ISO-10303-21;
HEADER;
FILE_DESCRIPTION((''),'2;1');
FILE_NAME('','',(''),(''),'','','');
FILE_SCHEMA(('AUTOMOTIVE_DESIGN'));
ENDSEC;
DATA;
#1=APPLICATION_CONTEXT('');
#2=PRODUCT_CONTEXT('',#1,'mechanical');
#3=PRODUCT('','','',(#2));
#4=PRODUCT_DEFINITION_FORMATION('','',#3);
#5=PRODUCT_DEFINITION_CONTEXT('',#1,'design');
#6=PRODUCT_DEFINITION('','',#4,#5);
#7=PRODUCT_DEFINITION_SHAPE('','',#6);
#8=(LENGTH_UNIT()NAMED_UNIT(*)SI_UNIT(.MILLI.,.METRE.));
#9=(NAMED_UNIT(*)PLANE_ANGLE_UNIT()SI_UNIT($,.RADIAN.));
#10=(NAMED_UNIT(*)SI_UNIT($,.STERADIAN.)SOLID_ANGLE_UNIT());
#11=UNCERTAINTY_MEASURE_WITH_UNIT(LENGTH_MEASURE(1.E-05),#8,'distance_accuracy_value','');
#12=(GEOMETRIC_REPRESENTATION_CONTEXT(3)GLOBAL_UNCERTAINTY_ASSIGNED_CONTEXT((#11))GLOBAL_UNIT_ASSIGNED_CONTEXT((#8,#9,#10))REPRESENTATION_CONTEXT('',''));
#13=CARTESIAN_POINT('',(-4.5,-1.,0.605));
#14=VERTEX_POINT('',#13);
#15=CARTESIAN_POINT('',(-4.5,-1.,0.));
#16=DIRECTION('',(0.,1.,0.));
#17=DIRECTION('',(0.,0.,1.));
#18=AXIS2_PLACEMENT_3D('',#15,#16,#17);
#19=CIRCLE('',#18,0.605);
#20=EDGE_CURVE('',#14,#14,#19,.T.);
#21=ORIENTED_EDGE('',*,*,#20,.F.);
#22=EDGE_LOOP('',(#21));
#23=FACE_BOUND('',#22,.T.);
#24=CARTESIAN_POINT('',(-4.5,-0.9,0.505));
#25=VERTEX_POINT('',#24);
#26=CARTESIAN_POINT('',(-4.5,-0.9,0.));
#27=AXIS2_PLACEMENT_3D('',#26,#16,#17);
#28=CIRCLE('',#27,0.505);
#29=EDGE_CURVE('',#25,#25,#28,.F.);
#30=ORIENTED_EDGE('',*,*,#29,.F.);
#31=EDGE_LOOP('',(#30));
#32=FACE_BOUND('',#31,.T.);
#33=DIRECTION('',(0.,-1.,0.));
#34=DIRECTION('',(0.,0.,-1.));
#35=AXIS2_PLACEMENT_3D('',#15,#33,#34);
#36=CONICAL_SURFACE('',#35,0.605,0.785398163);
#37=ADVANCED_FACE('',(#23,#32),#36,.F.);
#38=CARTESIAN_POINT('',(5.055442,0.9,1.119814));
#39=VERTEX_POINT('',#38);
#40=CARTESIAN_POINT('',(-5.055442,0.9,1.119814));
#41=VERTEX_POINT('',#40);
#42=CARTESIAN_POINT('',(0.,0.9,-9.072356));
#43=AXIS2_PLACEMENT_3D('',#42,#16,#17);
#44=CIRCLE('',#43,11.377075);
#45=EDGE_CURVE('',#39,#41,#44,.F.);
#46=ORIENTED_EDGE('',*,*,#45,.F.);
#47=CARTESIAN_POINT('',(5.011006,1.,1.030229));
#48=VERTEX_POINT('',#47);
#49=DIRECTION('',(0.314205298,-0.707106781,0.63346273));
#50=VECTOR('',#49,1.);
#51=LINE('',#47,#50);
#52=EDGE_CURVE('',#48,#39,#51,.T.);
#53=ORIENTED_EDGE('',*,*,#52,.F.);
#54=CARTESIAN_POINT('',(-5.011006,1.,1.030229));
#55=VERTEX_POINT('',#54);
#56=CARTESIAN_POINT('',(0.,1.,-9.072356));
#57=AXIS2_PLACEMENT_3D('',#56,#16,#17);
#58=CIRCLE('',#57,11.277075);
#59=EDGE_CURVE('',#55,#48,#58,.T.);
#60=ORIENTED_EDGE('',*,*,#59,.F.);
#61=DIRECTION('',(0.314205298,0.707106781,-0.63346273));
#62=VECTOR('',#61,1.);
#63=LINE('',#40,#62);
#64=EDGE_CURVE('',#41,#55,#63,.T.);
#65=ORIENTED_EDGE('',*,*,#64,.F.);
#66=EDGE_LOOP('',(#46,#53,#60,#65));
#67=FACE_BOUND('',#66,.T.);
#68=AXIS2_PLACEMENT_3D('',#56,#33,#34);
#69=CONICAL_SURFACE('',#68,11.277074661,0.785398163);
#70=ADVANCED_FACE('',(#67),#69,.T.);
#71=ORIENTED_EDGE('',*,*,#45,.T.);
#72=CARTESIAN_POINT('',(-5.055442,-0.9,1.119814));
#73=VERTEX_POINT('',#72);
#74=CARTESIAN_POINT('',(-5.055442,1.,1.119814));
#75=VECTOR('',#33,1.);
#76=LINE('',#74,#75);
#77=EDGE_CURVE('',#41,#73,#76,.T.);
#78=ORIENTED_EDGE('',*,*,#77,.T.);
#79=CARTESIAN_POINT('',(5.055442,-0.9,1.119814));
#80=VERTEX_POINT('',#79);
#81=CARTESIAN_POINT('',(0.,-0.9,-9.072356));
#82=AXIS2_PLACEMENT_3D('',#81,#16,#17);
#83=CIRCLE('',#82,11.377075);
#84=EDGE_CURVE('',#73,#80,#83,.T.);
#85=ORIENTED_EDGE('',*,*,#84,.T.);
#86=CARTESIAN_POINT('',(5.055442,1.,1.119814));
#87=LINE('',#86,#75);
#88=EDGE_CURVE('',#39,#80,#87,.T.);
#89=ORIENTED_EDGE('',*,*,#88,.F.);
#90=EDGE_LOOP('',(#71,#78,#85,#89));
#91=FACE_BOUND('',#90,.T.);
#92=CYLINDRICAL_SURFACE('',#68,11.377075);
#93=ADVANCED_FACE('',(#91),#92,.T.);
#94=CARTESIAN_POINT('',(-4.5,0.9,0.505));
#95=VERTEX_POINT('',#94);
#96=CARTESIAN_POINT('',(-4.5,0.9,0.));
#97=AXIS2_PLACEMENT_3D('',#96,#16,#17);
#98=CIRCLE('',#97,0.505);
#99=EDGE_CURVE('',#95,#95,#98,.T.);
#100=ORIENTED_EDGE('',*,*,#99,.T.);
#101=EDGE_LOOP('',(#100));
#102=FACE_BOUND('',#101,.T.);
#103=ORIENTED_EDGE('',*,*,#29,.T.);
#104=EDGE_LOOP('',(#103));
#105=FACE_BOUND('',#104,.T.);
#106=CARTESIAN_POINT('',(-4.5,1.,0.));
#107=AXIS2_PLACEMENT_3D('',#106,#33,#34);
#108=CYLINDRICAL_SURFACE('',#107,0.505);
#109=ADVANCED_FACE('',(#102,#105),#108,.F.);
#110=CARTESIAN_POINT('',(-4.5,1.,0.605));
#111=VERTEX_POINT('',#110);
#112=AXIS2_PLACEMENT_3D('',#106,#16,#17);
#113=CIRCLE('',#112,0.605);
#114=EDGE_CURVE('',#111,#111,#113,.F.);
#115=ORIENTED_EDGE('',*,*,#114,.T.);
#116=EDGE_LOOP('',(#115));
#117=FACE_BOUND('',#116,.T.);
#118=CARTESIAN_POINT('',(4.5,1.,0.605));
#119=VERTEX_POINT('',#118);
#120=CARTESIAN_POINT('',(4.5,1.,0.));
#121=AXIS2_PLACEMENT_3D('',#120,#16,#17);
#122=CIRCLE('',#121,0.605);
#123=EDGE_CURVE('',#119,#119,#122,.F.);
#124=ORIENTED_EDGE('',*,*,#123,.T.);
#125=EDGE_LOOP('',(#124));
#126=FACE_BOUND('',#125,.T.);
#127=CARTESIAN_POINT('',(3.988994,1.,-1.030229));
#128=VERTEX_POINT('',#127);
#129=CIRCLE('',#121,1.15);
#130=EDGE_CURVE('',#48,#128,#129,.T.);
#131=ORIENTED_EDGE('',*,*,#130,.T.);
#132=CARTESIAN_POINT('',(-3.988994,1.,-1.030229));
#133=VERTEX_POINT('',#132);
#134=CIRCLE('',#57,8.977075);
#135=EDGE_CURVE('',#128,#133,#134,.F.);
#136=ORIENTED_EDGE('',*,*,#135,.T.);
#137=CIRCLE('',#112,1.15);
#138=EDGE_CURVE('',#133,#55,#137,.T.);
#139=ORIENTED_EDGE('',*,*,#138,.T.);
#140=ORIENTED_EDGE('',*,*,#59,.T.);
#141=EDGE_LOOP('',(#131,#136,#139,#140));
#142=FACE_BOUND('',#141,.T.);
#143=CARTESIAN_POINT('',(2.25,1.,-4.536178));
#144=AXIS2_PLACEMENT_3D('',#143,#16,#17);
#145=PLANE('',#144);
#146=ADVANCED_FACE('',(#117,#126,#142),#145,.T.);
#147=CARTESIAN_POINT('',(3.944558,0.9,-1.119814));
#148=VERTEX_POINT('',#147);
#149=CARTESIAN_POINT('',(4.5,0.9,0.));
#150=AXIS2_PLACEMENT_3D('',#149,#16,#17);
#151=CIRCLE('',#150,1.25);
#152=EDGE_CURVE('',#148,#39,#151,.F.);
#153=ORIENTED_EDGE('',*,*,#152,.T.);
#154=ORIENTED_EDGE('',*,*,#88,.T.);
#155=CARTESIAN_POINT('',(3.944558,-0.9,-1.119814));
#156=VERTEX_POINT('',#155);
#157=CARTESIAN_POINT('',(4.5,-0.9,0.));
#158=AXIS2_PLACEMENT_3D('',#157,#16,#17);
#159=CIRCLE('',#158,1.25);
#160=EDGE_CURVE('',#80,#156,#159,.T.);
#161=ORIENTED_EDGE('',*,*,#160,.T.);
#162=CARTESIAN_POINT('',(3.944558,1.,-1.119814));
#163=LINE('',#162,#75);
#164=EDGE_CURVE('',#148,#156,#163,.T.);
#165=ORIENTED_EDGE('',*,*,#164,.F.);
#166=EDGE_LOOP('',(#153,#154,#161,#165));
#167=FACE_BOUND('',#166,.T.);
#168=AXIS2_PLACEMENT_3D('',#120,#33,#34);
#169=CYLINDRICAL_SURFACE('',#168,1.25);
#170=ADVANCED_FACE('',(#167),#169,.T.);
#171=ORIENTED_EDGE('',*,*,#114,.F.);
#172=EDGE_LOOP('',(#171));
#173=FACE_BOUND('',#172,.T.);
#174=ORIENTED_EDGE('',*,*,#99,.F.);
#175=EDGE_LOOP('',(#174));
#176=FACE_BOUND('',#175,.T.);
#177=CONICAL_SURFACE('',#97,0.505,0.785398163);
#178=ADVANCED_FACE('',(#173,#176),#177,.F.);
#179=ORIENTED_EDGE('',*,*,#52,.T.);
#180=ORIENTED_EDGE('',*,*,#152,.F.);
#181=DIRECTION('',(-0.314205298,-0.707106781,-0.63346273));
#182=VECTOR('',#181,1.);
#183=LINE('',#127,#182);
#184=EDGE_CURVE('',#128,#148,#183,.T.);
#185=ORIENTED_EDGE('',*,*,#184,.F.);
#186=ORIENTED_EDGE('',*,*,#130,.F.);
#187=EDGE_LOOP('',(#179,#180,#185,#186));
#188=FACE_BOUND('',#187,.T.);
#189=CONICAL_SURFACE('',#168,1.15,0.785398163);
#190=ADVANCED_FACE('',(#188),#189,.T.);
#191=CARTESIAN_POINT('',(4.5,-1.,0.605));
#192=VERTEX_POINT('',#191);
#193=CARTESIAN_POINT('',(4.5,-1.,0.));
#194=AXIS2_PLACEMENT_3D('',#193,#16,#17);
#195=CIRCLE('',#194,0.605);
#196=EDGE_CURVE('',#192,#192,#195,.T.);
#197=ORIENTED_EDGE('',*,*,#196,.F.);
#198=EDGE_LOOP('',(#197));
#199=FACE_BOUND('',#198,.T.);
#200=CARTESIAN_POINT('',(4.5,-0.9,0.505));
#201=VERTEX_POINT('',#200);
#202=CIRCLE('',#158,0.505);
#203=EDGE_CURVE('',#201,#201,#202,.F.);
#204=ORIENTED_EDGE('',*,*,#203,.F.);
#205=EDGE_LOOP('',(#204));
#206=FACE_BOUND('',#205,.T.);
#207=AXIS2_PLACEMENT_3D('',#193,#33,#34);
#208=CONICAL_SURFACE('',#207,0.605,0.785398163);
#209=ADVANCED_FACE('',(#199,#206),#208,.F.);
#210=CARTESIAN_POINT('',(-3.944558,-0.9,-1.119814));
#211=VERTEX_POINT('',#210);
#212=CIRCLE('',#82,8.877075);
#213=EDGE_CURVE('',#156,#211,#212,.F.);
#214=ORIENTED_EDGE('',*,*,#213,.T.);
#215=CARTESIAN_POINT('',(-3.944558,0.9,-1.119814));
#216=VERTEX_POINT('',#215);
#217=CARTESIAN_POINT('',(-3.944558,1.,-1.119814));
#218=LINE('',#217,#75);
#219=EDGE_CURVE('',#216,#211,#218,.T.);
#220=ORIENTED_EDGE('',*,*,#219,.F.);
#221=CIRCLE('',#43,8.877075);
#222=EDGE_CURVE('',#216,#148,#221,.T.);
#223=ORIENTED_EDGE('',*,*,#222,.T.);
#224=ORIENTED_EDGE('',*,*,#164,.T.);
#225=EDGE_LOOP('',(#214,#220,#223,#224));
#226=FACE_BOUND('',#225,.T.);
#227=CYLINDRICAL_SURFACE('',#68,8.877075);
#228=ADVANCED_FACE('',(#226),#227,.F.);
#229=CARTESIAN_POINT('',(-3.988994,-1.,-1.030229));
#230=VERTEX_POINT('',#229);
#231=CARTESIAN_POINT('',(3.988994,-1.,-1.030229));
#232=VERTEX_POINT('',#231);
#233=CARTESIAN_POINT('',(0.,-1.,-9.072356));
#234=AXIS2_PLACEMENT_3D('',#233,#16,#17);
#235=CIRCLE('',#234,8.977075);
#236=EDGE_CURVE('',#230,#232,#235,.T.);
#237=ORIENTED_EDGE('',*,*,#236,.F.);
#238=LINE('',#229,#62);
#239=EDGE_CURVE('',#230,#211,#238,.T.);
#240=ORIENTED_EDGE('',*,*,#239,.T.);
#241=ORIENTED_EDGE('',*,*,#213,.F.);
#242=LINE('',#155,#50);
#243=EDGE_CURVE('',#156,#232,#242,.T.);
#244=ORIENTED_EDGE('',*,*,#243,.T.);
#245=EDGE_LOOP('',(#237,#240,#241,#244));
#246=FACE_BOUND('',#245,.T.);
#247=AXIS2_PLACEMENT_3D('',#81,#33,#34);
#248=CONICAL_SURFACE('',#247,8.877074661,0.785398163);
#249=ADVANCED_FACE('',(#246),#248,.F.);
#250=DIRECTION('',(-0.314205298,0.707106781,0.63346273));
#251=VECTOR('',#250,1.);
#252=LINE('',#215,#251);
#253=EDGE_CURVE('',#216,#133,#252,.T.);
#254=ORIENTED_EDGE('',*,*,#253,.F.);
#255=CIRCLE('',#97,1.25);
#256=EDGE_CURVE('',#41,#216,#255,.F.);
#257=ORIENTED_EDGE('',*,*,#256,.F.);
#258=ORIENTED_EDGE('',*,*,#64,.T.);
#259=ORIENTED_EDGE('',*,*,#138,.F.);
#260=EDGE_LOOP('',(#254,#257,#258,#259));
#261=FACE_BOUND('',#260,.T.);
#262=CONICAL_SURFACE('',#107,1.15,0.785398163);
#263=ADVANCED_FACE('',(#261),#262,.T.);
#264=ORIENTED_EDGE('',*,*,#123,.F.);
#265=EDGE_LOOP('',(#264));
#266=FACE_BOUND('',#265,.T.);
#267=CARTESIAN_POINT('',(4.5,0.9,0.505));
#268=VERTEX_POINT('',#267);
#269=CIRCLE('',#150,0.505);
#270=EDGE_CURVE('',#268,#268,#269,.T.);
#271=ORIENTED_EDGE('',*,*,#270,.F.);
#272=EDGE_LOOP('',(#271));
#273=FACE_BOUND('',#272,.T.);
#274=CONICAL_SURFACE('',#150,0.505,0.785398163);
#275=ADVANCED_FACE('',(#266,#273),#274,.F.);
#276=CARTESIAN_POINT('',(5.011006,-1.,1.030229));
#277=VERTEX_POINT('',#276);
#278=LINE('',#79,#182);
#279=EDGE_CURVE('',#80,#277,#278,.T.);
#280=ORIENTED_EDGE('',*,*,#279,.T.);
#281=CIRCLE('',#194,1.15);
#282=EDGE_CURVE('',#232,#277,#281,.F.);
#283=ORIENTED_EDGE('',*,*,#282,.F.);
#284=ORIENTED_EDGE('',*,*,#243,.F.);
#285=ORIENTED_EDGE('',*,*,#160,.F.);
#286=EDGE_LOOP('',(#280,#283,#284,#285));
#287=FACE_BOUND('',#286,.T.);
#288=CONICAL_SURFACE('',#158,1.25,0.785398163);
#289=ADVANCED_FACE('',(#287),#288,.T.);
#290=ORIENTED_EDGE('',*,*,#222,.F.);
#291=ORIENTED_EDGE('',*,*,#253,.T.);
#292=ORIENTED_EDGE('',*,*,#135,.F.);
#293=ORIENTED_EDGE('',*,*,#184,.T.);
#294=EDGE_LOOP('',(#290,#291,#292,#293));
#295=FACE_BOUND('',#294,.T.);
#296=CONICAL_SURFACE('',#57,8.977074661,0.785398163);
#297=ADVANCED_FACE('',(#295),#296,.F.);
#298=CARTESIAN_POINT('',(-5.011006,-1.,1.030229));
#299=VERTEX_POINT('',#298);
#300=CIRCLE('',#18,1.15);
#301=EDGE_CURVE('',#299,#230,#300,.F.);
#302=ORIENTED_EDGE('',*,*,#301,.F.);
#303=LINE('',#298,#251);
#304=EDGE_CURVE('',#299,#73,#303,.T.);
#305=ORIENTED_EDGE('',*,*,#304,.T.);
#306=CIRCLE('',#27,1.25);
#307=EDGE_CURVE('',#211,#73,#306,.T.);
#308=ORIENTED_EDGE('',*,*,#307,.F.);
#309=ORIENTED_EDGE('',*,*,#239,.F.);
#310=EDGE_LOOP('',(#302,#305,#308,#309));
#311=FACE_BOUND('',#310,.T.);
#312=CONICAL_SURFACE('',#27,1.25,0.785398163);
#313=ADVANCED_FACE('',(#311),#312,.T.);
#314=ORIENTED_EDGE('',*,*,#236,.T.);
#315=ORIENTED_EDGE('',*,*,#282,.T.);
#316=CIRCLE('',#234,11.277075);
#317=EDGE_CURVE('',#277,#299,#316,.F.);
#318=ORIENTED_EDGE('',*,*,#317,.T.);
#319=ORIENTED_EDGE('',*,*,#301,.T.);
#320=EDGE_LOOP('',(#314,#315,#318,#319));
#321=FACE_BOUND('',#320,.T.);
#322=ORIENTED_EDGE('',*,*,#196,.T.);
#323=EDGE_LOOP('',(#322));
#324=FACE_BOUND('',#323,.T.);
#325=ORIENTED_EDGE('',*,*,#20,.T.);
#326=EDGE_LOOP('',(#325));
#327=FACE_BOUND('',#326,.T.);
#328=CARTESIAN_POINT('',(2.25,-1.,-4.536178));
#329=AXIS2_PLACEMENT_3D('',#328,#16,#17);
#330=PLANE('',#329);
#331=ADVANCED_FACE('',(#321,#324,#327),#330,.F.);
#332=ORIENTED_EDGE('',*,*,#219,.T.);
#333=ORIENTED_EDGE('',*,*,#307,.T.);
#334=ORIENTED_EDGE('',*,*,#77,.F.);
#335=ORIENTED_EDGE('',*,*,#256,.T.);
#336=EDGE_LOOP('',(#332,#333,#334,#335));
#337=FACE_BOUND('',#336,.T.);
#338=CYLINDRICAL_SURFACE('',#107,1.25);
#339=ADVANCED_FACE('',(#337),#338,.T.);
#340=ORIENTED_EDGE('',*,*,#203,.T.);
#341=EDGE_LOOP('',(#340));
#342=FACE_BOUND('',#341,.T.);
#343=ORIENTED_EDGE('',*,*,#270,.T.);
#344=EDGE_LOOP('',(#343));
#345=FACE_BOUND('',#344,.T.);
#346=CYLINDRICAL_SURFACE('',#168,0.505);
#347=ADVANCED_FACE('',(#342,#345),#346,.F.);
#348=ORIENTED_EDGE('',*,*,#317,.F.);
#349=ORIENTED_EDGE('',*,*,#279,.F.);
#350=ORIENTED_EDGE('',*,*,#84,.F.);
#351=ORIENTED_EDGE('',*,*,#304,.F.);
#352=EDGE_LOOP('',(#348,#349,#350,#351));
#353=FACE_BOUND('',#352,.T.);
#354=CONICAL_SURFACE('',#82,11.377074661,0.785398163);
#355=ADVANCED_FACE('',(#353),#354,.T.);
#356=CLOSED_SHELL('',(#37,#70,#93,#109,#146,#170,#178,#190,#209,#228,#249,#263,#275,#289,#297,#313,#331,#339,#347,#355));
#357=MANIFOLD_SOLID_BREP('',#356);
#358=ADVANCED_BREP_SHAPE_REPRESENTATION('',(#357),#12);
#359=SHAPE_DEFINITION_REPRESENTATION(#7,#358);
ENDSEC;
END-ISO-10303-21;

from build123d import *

# Parameters (mm, degrees)
SKETCH1_R           = 0.505
BOSS_EXTRUDE1_DEPTH = 1
CHAMFER1_SIZE       = 0.1
CHAMFER2_SIZE       = 0.1


with BuildPart() as part:
    # Sketch1 → Boss-Extrude1 (new, symmetric)
    with BuildSketch(Plane(origin=(0, 0, 0), x_dir=(1, 0, 0), z_dir=(0, 1, 0))):
        with BuildLine():
            ThreePointArc((-3.944558257, 1.11981448), (-5.61981448, 0.555441743), (-5.055441743, -1.11981448))
            ThreePointArc((-5.055441743, -1.11981448), (0, -2.304718782), (5.055441743, -1.11981448))
            ThreePointArc((5.055441743, -1.11981448), (5.61981448, 0.555441743), (3.944558257, 1.11981448))
            ThreePointArc((3.944558257, 1.11981448), (0, 0.195281218), (-3.944558257, 1.11981448))
        make_face()
        with Locations(Location((-4.5, 0, 0), (0, 0, 270))):
            Circle(SKETCH1_R, mode=Mode.SUBTRACT)
        with Locations(Location((4.5, 0, 0), (0, 0, 270))):
            Circle(SKETCH1_R, mode=Mode.SUBTRACT)
    extrude(amount=BOSS_EXTRUDE1_DEPTH, both=True)

    # Chamfer1
    chamfer1_edges = [part.edges().sort_by_distance(p)[0] for p in [
        (0, 1, 2.304718782),
        (5.61981448, 1, -0.555441743),
        (0, 1, -0.195281218),
        (5.61981448, -1, -0.555441743),
        (0, -1, 2.304718782),
        (-5.61981448, -1, -0.555441743),
        (0, -1, -0.195281218),
        (-5.61981448, 1, -0.555441743),
    ]]
    chamfer(chamfer1_edges, length=CHAMFER1_SIZE)

    # Chamfer2
    chamfer2_edges = [part.edges().sort_by_distance(p)[0] for p in [
        (-4.5, -1, -0.505),
        (-4.5, 1, -0.505),
        (4.5, -1, -0.505),
        (4.5, 1, -0.505),
    ]]
    chamfer(chamfer2_edges, length=CHAMFER2_SIZE)


solid = part.part
